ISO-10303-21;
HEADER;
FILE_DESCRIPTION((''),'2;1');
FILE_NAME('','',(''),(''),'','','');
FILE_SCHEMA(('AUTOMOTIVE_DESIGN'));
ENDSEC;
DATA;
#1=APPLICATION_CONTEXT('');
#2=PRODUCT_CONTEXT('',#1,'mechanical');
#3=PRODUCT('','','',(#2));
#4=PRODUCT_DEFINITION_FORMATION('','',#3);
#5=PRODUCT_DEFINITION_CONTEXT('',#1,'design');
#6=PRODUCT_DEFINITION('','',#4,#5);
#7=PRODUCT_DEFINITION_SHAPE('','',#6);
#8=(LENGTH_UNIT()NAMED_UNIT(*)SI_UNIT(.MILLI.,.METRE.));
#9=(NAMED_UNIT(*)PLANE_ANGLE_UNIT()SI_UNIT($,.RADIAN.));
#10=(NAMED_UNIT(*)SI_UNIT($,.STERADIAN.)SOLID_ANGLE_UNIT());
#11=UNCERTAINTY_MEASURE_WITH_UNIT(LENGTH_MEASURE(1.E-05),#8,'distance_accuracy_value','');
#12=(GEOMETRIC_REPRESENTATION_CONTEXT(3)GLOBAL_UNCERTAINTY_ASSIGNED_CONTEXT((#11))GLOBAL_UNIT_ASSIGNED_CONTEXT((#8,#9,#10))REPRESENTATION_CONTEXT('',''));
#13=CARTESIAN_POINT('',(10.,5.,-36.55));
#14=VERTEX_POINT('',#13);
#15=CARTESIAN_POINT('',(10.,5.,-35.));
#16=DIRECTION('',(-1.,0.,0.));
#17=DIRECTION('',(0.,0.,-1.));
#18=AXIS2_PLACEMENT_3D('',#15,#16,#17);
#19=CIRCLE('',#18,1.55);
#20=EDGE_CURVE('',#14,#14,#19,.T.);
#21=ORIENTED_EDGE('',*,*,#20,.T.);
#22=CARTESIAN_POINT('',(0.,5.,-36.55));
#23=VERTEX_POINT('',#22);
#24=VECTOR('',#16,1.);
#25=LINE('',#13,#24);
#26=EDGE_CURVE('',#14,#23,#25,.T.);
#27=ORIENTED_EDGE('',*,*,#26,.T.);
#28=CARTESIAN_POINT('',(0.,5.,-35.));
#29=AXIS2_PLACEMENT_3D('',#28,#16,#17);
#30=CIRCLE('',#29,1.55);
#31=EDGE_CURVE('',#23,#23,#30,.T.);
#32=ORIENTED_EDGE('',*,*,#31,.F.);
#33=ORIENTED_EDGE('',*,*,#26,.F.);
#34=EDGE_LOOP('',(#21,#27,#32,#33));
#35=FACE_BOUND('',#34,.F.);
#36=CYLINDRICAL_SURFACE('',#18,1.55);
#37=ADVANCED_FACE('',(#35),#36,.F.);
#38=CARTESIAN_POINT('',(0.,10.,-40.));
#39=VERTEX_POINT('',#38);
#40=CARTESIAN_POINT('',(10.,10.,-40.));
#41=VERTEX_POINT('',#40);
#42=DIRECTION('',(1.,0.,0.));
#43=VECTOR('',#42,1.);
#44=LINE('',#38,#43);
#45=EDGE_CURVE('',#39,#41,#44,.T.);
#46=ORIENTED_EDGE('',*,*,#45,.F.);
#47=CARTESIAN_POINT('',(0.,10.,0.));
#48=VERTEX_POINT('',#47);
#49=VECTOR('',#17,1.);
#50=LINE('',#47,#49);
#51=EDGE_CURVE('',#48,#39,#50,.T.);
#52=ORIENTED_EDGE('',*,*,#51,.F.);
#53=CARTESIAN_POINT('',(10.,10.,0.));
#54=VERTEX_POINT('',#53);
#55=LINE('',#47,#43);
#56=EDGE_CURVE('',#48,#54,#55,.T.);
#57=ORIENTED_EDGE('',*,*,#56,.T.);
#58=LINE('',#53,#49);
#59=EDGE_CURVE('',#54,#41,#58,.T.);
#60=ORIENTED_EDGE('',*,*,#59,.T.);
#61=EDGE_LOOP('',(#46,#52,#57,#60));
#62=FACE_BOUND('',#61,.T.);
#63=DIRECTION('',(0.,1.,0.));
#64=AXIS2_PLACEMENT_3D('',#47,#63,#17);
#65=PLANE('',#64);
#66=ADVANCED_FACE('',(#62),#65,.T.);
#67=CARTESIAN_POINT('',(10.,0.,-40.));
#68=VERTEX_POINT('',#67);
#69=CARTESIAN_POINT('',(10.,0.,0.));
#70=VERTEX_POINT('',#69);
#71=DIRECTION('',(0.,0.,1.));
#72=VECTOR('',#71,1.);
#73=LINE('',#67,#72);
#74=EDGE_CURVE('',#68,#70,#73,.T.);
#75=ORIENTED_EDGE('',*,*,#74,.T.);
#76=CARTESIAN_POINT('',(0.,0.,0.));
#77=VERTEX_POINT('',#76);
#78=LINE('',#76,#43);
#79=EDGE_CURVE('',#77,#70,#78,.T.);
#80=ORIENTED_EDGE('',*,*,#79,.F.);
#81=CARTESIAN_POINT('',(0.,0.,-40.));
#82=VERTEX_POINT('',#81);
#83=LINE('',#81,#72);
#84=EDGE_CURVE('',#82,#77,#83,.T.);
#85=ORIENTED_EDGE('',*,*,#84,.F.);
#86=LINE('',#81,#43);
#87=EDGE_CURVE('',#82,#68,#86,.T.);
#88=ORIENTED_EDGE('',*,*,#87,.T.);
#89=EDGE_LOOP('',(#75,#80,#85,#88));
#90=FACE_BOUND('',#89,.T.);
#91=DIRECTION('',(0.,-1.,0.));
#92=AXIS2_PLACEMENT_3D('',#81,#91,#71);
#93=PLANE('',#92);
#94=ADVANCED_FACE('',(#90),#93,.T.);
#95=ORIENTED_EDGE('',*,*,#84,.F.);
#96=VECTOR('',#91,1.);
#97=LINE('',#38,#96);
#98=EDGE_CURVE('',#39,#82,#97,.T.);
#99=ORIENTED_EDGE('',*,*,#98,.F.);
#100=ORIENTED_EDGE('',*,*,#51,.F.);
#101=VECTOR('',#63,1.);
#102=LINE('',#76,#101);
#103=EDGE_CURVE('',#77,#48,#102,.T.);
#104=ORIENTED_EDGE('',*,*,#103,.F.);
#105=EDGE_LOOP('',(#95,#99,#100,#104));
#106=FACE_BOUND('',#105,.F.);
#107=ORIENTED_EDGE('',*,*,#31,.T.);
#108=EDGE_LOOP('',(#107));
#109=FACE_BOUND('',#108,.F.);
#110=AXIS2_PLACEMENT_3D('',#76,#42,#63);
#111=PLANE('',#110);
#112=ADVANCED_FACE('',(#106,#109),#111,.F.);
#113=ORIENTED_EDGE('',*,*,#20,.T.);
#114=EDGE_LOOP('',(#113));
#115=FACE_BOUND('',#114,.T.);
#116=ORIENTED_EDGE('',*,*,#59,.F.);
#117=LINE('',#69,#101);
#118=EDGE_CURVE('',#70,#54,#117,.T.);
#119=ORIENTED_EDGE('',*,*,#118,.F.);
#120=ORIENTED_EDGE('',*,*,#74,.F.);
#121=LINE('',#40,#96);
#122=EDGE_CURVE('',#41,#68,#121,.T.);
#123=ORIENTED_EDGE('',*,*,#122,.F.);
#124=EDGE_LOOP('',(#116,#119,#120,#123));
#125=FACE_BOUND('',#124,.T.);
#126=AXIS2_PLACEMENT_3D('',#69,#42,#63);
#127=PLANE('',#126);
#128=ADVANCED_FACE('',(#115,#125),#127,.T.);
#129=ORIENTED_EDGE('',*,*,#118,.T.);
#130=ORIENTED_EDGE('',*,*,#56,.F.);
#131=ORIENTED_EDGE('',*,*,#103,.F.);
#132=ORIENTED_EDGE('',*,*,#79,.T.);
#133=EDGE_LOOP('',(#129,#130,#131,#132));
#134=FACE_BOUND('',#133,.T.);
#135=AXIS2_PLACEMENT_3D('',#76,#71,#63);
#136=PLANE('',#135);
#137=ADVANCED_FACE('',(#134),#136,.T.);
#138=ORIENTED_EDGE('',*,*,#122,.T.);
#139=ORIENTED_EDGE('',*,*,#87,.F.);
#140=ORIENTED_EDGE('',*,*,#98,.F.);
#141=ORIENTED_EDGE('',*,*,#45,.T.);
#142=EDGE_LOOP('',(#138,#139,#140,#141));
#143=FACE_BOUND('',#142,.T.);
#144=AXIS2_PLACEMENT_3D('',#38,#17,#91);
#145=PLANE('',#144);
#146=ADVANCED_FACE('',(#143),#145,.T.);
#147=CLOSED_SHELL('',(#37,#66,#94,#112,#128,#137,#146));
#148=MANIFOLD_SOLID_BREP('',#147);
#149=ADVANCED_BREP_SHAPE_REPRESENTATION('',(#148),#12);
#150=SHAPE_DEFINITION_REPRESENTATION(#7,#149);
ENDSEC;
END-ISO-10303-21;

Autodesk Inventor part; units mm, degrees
ref_plane "YZ Plane" through (0, 0, 0) normal (1, 0, 0) x (0, 1, 0)
ref_plane "XZ Plane" through (0, 0, 0) normal (0, 1, 0) x (-1, 0, 0)
ref_plane "XY Plane" through (0, 0, 0) normal (0, 0, 1) x (1, 0, 0)
sketch "スケッチ1" plane through (0, 0, 0) normal (1, 0, 0) x (0, 1, 0)
  line L0 (0, 0) -> (10, 0)
  line L1 (10, 0) -> (10, -40)
  line L2 (10, -40) -> (0, -40)
  line L3 (0, -40) -> (0, 0)
  dimension "d0" = 10
  dimension "d1" = 40
extrude "押し出し1" add sketch "スケッチ1" along normal blind 10
sketch "スケッチ2" plane through (10, 0, 0) normal (1, 0, 0) x (0, 0, -1)
  line L0 (40, 0) -> (40, 10) projected
  point P0 (0, 0)
  point P1 (35, 5)
  point P2 (40, 5)
  point P3 (40, 5)
  dimension "d4" = 5
hole "穴1" at (10, 5, -35) direction (-1, 0, 0) diameter 3.1 end through all
properties part number "Soko"
